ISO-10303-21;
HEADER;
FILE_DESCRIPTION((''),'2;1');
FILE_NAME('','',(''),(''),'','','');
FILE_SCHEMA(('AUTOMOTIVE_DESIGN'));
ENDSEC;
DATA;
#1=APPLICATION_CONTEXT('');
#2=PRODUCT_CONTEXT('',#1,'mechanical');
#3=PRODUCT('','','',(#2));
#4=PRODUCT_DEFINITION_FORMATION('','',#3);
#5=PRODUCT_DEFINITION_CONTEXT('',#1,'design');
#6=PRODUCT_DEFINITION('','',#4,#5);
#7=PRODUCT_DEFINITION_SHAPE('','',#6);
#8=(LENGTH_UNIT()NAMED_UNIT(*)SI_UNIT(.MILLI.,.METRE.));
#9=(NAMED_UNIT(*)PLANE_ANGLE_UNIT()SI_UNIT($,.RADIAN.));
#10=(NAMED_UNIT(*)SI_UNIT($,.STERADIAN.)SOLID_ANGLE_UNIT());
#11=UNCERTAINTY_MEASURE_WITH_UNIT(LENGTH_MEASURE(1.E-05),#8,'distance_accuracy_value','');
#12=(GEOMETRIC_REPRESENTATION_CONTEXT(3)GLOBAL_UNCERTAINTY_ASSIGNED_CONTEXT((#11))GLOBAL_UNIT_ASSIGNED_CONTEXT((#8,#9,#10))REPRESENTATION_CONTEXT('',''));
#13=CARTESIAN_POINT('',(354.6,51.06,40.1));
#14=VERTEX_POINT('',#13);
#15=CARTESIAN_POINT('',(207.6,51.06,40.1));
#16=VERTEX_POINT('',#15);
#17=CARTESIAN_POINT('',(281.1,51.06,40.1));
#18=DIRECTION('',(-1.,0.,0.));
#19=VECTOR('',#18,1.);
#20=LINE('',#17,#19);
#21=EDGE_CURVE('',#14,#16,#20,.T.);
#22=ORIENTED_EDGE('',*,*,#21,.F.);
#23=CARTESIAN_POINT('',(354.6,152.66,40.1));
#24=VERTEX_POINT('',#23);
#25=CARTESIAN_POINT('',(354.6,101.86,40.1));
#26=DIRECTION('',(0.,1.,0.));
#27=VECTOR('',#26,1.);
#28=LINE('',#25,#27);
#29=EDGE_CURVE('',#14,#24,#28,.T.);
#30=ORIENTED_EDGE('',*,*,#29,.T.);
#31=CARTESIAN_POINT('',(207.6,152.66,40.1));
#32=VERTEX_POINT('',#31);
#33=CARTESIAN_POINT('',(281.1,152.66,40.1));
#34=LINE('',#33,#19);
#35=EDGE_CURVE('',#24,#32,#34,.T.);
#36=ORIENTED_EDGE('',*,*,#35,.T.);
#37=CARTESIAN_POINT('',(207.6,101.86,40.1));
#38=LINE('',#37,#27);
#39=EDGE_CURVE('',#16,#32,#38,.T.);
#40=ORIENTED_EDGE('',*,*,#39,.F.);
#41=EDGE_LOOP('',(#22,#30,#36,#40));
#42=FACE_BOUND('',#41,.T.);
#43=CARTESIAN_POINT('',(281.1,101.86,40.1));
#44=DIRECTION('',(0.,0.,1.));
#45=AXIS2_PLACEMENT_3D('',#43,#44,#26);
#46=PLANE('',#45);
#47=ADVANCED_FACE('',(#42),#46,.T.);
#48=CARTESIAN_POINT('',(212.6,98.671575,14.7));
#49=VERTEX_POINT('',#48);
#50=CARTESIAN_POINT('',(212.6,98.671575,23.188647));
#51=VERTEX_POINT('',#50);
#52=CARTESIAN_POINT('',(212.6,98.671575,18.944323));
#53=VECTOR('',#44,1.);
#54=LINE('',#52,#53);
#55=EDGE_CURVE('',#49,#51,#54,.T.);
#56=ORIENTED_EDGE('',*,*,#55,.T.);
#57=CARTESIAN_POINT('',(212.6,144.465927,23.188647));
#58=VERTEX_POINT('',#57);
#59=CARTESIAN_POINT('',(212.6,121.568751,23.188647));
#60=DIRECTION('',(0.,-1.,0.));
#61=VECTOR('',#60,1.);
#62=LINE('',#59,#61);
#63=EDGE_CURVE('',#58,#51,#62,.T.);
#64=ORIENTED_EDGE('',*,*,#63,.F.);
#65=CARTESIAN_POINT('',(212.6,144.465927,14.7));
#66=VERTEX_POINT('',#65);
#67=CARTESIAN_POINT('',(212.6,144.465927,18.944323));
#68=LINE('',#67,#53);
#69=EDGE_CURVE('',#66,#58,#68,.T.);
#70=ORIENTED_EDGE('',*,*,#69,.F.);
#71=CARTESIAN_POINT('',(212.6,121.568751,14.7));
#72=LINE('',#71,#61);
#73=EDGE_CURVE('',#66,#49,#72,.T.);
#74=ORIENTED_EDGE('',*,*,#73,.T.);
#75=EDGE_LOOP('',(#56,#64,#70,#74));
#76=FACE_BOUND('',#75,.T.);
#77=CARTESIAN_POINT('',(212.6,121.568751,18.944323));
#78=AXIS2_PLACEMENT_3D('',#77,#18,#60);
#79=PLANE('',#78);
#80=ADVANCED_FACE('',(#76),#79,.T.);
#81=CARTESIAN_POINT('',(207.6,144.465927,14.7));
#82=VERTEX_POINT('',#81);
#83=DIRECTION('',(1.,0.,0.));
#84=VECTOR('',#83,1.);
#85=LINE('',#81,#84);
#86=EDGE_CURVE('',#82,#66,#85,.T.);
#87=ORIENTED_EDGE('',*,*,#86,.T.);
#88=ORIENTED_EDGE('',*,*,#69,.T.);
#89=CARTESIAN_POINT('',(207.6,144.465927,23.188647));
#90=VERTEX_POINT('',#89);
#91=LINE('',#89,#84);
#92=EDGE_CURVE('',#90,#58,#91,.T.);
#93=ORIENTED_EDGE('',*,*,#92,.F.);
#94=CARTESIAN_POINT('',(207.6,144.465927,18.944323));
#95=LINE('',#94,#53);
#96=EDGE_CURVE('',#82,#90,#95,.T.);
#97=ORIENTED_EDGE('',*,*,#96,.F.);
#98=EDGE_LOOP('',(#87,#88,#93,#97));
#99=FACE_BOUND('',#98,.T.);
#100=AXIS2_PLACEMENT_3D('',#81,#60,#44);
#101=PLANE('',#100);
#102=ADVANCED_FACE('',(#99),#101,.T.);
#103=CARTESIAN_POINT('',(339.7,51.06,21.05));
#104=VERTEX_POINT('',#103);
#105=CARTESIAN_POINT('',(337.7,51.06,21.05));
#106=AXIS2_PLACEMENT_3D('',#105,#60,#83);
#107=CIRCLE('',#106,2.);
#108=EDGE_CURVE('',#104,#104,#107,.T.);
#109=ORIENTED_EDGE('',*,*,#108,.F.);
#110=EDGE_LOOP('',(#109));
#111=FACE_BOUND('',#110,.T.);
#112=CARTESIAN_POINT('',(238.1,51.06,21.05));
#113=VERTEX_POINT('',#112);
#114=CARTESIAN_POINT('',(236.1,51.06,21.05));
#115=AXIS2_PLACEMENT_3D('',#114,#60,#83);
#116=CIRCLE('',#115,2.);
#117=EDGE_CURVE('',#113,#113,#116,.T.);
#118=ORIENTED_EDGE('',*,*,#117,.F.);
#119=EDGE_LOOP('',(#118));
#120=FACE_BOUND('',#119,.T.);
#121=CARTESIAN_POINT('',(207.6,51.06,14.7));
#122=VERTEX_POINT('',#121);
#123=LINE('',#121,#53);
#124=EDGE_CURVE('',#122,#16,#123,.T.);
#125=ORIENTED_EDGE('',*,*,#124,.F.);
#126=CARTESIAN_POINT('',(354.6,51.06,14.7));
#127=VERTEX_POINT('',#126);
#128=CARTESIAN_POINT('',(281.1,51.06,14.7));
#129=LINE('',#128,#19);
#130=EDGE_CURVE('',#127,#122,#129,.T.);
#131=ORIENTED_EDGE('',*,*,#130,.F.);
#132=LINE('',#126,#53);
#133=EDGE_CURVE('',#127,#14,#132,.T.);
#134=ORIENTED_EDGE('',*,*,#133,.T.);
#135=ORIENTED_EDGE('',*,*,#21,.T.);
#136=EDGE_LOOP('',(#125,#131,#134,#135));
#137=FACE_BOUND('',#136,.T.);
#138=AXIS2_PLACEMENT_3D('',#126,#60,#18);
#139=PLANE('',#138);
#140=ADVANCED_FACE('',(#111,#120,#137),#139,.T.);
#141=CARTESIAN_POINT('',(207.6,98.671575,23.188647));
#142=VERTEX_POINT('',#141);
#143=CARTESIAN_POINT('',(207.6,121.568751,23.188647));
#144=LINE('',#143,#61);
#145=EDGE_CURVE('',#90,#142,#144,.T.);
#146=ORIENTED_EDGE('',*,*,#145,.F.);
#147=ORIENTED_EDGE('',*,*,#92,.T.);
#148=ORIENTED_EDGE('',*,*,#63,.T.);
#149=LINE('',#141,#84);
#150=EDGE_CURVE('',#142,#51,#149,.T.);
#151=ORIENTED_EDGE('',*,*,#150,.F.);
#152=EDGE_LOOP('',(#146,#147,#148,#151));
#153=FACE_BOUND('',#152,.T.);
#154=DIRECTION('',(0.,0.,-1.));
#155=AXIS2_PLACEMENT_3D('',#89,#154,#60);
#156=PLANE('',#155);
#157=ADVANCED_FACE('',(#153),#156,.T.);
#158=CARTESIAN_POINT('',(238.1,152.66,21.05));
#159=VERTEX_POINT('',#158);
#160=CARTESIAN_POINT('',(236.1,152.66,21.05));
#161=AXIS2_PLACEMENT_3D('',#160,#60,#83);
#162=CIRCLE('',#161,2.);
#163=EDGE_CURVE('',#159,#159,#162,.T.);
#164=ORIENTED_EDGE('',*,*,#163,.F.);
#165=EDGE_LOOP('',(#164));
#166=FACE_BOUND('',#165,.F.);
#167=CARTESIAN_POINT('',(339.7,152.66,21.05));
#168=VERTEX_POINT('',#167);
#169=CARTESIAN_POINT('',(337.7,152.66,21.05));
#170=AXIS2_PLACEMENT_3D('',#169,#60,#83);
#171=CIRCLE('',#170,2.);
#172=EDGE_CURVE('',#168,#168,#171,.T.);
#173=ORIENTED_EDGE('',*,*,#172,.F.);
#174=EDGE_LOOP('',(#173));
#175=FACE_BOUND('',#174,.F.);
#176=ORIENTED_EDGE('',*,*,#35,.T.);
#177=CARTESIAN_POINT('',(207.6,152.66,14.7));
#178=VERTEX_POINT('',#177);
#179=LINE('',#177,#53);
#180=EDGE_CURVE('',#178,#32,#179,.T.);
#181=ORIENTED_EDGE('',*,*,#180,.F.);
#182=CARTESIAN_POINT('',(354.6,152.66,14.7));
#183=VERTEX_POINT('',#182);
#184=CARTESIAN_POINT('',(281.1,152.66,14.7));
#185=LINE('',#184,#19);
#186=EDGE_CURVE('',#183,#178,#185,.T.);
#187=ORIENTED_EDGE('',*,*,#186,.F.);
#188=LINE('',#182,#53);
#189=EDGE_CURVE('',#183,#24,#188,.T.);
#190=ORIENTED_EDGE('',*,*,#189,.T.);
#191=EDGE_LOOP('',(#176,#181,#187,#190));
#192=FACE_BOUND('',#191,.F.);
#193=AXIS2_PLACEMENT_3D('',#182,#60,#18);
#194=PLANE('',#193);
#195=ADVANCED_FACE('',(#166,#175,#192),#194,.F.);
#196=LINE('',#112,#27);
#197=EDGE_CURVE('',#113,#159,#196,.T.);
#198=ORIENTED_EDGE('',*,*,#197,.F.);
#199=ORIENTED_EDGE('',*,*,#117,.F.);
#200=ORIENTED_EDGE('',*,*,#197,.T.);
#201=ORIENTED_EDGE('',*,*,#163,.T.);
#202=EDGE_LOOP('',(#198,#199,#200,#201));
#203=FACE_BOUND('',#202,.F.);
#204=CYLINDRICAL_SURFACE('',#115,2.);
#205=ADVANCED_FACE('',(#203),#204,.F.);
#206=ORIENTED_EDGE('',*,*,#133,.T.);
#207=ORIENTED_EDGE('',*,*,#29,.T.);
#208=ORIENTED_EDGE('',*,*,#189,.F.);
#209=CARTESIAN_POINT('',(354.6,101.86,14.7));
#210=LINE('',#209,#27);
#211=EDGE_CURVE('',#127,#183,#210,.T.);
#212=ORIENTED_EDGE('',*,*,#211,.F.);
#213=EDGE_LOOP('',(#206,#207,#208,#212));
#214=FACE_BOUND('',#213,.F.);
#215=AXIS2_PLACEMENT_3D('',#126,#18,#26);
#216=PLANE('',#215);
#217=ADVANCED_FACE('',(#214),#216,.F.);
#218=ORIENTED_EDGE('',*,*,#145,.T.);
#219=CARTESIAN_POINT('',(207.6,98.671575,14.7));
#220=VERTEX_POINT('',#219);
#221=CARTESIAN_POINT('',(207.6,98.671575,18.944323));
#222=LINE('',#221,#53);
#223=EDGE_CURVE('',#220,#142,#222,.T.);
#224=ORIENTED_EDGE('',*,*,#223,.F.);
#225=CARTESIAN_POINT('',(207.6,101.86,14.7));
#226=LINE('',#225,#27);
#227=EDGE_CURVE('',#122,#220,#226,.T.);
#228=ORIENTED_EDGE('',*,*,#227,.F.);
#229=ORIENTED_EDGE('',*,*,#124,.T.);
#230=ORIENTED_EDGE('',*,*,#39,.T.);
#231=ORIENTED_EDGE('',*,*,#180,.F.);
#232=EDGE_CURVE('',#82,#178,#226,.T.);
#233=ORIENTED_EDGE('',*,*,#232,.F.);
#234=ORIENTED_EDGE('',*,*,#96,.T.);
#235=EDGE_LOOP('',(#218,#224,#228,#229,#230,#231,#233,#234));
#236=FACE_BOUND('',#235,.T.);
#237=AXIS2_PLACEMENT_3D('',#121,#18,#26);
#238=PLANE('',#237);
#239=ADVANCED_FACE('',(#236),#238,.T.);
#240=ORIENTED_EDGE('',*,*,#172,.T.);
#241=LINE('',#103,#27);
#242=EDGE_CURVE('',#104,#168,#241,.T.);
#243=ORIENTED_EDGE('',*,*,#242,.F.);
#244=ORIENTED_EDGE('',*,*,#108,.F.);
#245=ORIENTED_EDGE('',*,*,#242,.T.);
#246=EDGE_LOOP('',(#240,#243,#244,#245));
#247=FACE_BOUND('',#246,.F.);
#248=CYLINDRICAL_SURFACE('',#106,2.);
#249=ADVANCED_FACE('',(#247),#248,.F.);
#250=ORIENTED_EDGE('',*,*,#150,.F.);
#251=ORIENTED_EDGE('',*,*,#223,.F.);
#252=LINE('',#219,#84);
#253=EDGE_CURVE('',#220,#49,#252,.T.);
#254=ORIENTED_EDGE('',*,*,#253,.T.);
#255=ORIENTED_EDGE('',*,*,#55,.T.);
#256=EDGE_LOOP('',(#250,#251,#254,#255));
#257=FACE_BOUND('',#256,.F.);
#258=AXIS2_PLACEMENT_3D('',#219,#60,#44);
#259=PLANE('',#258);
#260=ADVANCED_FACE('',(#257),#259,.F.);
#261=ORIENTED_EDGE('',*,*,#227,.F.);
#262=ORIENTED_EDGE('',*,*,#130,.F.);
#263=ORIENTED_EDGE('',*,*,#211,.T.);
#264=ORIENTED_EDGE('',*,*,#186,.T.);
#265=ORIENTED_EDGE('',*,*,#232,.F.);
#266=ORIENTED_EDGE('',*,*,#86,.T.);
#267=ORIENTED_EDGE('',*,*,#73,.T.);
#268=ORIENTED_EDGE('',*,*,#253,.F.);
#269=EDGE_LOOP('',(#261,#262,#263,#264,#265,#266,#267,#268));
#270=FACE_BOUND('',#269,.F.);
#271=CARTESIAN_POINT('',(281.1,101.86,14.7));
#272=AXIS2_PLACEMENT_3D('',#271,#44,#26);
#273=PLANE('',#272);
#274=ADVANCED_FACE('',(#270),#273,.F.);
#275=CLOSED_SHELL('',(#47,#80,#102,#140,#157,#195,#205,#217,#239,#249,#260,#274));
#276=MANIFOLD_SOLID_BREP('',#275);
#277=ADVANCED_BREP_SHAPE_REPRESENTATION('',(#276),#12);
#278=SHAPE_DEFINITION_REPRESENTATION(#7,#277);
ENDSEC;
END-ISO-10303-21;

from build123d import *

# Parameters (mm, degrees)
SKETCH075_W             = 101.6
SKETCH075_H             = 147
PAD026_DEPTH            = 25.4
SKETCH076_W             = 45.794352
SKETCH076_H             = 8.488647
POCKET024_DEPTH         = 5
SKETCH077_R             = 2
POCKET025_DEPTH         = 101.601
BODY015_PLACEMENT_ANGLE = 90


with BuildPart() as part:
    # Sketch075 → Pad026 (new body)
    with BuildSketch(Plane.XY):
        Rectangle(SKETCH075_W, SKETCH075_H)
    extrude(amount=PAD026_DEPTH)

    # Sketch076 (on Face3 of Pad026) → Pocket024 (cut)
    with BuildSketch(Plane(origin=(0, 73.5, 0), x_dir=(-1, 0, 0), z_dir=(0, 1, 0))):
        with Locations((-19.708751, 4.2443235)):
            Rectangle(SKETCH076_W, SKETCH076_H)
    extrude(amount=-POCKET024_DEPTH, mode=Mode.SUBTRACT)

    # Sketch077 (on Face2 of Pocket024) → Pocket025 (cut, through all)
    with BuildSketch(Plane(origin=(-50.8, 0, 0), x_dir=(0, -1, 0), z_dir=(-1, 0, 0))):
        with Locations((-45, 6.35)):
            Circle(SKETCH077_R)
        with Locations((56.6, 6.35)):
            Circle(SKETCH077_R)
    extrude(amount=-POCKET025_DEPTH, mode=Mode.SUBTRACT)


with BuildPart() as part_1:
    # Body015 placement: moved
    add(part.part.moved(Location((281.1, 101.86, 14.7))).rotate(Axis((281.1, 101.86, 14.7), (0, 0, 1)), BODY015_PLACEMENT_ANGLE))


solid = part_1.part
